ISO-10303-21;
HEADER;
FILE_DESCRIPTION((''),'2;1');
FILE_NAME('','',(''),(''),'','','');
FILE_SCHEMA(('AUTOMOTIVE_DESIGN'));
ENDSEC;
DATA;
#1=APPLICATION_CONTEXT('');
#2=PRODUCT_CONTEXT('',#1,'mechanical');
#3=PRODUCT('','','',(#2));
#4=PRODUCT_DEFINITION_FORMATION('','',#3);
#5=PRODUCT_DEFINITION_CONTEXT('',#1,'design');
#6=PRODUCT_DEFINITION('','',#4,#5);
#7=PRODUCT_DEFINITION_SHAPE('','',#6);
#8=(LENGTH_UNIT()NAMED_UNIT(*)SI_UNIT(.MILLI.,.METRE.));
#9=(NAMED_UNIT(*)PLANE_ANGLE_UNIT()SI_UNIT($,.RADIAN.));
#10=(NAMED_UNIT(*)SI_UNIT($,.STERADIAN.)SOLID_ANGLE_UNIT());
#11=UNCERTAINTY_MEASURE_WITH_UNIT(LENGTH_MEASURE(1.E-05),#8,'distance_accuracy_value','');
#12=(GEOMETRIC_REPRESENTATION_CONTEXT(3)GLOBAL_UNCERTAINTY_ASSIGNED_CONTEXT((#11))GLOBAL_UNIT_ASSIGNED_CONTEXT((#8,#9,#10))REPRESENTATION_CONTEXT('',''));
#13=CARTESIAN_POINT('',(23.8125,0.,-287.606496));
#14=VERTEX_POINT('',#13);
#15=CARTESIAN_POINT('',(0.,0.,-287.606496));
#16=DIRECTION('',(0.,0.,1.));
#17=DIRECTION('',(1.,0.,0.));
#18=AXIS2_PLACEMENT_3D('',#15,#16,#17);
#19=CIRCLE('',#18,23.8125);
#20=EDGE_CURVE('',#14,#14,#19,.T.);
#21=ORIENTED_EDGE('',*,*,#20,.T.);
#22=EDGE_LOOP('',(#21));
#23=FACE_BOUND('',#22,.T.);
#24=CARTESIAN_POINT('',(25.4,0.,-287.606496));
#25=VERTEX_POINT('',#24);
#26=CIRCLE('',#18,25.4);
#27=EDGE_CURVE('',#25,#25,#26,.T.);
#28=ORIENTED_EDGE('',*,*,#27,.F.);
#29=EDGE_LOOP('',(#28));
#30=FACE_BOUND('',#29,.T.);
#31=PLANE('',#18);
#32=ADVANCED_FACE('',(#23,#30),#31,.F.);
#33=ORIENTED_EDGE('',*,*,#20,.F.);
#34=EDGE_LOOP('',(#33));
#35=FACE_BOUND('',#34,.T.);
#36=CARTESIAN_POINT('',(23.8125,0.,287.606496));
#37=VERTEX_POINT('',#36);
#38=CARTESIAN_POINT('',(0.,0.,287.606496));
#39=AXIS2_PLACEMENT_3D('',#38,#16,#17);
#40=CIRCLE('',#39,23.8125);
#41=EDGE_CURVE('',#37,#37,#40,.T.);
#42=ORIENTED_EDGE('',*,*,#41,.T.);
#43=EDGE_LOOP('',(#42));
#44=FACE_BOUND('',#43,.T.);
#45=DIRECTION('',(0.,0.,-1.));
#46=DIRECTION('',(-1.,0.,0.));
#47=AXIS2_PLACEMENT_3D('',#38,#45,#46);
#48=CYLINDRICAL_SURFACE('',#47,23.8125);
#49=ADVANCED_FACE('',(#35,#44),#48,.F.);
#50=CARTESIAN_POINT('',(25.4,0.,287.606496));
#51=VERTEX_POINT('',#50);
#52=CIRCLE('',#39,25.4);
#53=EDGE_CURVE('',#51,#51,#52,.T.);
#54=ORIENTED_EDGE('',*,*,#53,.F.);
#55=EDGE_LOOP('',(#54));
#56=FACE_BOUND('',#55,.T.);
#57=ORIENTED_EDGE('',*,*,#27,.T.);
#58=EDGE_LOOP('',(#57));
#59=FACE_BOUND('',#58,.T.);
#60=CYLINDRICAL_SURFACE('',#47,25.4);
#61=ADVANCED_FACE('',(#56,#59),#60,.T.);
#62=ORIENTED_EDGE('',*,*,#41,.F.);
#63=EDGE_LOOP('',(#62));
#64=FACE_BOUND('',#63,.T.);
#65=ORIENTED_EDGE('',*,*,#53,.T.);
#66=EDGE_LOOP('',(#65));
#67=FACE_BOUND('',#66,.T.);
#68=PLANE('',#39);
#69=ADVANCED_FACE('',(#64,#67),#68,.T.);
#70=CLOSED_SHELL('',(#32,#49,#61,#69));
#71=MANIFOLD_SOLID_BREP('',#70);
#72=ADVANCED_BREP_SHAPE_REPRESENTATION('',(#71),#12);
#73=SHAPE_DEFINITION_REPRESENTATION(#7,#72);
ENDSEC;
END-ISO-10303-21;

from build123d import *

# Parameters (mm, degrees)
SKETCH1_R           = 25.4
SKETCH1_R_2         = 23.8125
BOSS_EXTRUDE1_DEPTH = 287.606496287


with BuildPart() as part:
    # Sketch1 → Boss-Extrude1 (new, symmetric)
    with BuildSketch(Plane.XY):
        Circle(SKETCH1_R)
        Circle(SKETCH1_R_2, mode=Mode.SUBTRACT)
    extrude(amount=BOSS_EXTRUDE1_DEPTH, both=True)


solid = part.part
